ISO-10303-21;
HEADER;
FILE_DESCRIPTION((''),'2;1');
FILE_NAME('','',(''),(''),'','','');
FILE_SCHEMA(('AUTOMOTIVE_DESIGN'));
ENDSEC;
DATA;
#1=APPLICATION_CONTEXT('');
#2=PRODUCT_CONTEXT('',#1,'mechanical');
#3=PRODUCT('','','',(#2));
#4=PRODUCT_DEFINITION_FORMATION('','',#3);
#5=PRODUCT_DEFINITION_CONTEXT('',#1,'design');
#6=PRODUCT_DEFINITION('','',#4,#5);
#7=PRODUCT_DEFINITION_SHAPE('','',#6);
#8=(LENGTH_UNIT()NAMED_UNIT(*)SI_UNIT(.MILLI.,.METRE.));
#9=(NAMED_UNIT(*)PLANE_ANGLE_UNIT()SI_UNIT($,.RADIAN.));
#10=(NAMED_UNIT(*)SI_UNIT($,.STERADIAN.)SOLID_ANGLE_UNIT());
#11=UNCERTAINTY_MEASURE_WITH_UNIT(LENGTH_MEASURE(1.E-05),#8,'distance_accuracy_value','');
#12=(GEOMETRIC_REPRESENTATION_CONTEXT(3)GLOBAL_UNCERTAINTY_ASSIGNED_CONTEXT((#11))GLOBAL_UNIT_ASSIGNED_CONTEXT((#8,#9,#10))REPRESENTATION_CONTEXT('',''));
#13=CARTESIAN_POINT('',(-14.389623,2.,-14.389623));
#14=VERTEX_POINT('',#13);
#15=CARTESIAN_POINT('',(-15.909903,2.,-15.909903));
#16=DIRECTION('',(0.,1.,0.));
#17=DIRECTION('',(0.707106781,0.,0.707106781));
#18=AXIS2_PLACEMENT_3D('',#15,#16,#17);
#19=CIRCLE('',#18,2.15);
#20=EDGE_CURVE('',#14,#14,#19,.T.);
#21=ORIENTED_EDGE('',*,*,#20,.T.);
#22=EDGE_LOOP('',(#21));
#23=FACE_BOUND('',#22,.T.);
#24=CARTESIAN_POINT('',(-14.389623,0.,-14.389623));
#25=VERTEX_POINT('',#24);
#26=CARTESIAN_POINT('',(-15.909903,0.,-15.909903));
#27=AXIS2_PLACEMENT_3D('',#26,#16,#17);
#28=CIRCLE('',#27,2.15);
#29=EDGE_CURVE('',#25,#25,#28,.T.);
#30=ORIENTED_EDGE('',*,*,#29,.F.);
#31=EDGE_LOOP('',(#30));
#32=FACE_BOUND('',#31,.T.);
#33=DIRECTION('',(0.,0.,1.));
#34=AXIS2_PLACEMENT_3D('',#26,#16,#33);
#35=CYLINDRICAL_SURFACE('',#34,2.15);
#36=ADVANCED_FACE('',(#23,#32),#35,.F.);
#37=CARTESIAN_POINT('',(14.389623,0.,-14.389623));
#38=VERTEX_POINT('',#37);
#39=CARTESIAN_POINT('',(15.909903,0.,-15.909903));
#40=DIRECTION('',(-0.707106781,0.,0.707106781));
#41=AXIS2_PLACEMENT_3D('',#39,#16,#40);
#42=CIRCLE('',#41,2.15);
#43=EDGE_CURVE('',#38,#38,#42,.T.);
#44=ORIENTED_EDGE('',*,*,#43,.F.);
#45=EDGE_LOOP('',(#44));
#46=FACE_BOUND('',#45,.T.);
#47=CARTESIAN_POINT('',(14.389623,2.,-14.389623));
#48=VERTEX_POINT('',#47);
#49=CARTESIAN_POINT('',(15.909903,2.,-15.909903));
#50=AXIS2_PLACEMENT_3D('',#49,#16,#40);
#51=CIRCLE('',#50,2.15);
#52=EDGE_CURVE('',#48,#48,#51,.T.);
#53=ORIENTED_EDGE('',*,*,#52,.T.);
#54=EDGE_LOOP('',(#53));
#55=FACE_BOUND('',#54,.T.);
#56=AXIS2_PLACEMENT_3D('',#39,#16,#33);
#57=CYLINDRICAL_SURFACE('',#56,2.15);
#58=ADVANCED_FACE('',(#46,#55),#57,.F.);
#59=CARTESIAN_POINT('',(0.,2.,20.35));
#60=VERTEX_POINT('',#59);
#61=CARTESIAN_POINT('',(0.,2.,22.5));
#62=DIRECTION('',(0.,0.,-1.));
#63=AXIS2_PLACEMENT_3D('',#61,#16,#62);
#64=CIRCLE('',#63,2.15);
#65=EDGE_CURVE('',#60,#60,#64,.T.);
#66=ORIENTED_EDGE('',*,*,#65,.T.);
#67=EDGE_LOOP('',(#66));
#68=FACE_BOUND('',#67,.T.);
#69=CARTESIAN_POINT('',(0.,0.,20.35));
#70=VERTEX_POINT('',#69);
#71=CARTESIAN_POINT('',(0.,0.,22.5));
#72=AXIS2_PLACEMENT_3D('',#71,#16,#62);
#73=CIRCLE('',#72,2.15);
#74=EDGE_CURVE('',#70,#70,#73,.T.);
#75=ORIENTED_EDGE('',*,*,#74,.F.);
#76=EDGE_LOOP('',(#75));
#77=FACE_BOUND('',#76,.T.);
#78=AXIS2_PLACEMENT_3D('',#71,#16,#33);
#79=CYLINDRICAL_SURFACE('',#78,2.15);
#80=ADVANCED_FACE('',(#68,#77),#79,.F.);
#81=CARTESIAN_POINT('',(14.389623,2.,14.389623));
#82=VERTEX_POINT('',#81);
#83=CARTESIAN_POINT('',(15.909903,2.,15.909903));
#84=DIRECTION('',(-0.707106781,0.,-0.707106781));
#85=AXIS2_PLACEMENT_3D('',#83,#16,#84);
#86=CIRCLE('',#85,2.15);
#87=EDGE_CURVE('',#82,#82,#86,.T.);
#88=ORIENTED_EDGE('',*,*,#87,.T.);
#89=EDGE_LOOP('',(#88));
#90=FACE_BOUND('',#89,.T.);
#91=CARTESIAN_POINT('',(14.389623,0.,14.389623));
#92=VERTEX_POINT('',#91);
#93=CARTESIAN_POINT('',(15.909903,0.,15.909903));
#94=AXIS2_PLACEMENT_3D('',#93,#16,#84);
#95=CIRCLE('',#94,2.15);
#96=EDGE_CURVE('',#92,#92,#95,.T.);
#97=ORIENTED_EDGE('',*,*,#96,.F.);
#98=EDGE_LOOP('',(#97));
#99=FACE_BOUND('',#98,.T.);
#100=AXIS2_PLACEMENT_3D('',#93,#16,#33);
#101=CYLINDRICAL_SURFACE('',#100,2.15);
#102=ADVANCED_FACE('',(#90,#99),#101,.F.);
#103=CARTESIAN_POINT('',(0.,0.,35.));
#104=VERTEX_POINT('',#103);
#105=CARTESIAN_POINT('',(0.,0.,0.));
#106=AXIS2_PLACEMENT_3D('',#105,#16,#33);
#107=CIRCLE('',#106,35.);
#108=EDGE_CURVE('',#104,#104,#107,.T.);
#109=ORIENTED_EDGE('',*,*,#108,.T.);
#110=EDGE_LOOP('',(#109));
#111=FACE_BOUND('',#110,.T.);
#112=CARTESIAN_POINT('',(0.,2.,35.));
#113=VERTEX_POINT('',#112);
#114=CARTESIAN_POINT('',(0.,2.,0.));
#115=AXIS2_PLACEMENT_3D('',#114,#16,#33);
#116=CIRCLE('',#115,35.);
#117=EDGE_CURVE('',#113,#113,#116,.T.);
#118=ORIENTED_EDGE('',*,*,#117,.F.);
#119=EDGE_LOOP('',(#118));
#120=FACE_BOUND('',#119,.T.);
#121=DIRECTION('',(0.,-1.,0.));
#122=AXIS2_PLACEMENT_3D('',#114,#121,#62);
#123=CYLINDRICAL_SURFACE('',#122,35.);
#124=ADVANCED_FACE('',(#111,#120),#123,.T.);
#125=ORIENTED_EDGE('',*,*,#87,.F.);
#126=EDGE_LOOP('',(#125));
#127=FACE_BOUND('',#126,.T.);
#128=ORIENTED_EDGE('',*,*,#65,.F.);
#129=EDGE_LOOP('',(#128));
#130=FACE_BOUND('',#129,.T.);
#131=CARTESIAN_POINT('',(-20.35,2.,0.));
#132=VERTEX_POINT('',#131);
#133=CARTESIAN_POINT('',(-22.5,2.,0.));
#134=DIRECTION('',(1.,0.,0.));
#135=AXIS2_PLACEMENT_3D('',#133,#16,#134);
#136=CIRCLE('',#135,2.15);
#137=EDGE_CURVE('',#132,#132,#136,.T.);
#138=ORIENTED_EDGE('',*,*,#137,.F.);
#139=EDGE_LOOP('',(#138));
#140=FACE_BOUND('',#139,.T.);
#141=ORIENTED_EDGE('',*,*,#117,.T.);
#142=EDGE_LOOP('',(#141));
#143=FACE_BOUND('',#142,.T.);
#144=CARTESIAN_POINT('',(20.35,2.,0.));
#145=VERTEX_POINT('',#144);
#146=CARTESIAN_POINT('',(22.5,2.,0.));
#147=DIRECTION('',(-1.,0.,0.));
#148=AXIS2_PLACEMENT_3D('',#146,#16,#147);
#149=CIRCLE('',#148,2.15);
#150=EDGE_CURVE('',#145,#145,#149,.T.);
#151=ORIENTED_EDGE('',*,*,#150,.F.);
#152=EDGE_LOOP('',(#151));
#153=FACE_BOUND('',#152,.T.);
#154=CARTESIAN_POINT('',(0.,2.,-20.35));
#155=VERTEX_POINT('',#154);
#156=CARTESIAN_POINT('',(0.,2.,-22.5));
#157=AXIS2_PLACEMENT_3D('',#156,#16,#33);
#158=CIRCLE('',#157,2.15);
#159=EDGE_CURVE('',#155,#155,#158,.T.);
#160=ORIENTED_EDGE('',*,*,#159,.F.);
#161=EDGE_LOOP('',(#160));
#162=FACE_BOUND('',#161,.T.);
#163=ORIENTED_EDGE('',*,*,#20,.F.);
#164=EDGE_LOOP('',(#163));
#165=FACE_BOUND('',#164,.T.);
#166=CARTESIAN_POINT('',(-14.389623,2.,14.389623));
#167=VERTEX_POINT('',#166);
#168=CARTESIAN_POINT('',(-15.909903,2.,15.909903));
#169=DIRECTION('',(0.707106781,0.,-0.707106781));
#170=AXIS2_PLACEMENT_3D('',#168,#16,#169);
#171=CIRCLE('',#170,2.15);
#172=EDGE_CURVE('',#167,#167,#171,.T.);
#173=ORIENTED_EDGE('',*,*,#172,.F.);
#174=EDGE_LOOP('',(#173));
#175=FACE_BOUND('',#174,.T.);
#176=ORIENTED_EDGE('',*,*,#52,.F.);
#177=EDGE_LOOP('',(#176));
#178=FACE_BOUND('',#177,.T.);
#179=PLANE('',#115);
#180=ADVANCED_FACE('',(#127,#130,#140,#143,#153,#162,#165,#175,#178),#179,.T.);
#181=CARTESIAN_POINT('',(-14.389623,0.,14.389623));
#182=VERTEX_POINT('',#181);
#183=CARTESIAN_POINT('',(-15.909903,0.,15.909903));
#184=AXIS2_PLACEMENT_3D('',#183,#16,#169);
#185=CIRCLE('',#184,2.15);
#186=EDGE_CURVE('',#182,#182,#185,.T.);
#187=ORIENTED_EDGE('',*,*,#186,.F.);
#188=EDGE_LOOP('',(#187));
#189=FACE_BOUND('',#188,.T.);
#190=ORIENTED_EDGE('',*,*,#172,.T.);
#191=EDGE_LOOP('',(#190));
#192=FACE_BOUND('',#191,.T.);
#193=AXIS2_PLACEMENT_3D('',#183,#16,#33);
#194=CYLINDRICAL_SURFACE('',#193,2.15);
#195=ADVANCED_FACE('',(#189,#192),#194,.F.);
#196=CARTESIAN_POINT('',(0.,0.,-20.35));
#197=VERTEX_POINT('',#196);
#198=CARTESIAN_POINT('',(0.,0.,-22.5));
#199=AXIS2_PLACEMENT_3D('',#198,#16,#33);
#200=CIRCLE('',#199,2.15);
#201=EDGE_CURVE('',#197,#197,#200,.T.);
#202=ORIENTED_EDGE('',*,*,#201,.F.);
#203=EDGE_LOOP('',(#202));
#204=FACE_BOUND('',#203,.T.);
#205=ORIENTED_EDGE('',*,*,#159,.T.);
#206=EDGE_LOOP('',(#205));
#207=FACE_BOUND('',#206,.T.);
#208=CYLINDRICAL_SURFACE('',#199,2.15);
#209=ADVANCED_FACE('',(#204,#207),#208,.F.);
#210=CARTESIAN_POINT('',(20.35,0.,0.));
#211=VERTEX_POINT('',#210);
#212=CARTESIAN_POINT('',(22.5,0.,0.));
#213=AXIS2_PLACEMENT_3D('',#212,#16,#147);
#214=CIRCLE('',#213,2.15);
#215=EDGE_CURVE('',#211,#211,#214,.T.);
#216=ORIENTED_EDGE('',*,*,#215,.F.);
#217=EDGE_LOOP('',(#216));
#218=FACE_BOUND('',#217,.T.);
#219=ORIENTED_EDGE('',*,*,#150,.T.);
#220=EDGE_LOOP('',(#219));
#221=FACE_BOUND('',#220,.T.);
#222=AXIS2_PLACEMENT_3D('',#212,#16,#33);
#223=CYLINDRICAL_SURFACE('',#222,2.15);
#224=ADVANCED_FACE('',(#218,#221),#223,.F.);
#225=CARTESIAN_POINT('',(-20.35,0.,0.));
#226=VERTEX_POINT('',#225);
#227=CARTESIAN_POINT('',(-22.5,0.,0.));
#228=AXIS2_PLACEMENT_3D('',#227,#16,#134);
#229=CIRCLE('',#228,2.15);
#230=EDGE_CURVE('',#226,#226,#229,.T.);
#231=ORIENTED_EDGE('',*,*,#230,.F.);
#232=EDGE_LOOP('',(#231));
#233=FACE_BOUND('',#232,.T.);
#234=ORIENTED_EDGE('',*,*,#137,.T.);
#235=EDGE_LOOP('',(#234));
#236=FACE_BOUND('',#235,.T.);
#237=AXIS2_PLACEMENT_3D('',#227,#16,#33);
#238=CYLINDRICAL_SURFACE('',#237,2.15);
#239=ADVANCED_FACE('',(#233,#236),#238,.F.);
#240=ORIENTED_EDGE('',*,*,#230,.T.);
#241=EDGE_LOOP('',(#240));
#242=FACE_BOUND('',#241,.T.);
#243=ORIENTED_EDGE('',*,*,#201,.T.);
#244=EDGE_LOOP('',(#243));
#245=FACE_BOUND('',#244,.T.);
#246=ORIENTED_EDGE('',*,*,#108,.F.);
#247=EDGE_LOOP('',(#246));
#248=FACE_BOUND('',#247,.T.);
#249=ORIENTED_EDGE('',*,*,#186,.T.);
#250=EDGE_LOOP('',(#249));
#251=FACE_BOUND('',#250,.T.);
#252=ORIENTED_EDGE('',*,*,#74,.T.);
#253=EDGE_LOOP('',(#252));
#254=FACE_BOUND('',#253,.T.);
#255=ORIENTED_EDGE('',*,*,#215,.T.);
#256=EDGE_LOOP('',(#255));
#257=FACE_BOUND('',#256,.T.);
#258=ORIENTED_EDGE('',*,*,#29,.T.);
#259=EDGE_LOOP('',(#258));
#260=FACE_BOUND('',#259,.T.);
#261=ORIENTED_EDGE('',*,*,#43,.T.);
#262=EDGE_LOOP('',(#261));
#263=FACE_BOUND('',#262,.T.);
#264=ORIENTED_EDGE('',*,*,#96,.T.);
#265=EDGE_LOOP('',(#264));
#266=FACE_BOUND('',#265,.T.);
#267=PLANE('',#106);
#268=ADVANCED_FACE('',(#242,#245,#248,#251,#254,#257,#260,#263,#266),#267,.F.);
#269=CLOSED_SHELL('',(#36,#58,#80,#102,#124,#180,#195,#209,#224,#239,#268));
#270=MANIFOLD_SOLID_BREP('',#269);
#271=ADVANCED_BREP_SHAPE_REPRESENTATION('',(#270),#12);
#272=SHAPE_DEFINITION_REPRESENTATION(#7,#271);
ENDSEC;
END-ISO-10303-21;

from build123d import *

# Parameters (mm, degrees)
SKETCH1_R           = 35
BOSS_EXTRUDE1_DEPTH = 2
SKETCH2_R           = 2.15
CUT_EXTRUDE1_DEPTH  = 2
CIRPATTERN1_COUNT   = 8


with BuildPart() as part:
    # Sketch1 → Boss-Extrude1 (new body)
    with BuildSketch(Plane(origin=(0, 0, 0), x_dir=(1, 0, 0), z_dir=(0, 1, 0))):
        with Locations(Location((0, 0, 0), (0, 0, 270))):
            Circle(SKETCH1_R)
    extrude(amount=BOSS_EXTRUDE1_DEPTH)

    # Sketch2 → Cut-Extrude1 (cut)
    with BuildSketch(Plane(origin=(0, 2, 0), x_dir=(1, 0, 0), z_dir=(0, 1, 0))):
        with Locations(Location((0, 22.5, 0), (0, 0, 270))):
            Circle(SKETCH2_R)
    cut_extrude1 = extrude(amount=-CUT_EXTRUDE1_DEPTH, mode=Mode.SUBTRACT)

    # CirPattern1: Cut-Extrude1 ×8 about axis
    cirpattern1_axis = Axis((0, 0, 0), (0, 1, 0))
    for i in range(1, CIRPATTERN1_COUNT):
        add(cut_extrude1.rotate(cirpattern1_axis, i * 360 / CIRPATTERN1_COUNT), mode=Mode.SUBTRACT)


solid = part.part
